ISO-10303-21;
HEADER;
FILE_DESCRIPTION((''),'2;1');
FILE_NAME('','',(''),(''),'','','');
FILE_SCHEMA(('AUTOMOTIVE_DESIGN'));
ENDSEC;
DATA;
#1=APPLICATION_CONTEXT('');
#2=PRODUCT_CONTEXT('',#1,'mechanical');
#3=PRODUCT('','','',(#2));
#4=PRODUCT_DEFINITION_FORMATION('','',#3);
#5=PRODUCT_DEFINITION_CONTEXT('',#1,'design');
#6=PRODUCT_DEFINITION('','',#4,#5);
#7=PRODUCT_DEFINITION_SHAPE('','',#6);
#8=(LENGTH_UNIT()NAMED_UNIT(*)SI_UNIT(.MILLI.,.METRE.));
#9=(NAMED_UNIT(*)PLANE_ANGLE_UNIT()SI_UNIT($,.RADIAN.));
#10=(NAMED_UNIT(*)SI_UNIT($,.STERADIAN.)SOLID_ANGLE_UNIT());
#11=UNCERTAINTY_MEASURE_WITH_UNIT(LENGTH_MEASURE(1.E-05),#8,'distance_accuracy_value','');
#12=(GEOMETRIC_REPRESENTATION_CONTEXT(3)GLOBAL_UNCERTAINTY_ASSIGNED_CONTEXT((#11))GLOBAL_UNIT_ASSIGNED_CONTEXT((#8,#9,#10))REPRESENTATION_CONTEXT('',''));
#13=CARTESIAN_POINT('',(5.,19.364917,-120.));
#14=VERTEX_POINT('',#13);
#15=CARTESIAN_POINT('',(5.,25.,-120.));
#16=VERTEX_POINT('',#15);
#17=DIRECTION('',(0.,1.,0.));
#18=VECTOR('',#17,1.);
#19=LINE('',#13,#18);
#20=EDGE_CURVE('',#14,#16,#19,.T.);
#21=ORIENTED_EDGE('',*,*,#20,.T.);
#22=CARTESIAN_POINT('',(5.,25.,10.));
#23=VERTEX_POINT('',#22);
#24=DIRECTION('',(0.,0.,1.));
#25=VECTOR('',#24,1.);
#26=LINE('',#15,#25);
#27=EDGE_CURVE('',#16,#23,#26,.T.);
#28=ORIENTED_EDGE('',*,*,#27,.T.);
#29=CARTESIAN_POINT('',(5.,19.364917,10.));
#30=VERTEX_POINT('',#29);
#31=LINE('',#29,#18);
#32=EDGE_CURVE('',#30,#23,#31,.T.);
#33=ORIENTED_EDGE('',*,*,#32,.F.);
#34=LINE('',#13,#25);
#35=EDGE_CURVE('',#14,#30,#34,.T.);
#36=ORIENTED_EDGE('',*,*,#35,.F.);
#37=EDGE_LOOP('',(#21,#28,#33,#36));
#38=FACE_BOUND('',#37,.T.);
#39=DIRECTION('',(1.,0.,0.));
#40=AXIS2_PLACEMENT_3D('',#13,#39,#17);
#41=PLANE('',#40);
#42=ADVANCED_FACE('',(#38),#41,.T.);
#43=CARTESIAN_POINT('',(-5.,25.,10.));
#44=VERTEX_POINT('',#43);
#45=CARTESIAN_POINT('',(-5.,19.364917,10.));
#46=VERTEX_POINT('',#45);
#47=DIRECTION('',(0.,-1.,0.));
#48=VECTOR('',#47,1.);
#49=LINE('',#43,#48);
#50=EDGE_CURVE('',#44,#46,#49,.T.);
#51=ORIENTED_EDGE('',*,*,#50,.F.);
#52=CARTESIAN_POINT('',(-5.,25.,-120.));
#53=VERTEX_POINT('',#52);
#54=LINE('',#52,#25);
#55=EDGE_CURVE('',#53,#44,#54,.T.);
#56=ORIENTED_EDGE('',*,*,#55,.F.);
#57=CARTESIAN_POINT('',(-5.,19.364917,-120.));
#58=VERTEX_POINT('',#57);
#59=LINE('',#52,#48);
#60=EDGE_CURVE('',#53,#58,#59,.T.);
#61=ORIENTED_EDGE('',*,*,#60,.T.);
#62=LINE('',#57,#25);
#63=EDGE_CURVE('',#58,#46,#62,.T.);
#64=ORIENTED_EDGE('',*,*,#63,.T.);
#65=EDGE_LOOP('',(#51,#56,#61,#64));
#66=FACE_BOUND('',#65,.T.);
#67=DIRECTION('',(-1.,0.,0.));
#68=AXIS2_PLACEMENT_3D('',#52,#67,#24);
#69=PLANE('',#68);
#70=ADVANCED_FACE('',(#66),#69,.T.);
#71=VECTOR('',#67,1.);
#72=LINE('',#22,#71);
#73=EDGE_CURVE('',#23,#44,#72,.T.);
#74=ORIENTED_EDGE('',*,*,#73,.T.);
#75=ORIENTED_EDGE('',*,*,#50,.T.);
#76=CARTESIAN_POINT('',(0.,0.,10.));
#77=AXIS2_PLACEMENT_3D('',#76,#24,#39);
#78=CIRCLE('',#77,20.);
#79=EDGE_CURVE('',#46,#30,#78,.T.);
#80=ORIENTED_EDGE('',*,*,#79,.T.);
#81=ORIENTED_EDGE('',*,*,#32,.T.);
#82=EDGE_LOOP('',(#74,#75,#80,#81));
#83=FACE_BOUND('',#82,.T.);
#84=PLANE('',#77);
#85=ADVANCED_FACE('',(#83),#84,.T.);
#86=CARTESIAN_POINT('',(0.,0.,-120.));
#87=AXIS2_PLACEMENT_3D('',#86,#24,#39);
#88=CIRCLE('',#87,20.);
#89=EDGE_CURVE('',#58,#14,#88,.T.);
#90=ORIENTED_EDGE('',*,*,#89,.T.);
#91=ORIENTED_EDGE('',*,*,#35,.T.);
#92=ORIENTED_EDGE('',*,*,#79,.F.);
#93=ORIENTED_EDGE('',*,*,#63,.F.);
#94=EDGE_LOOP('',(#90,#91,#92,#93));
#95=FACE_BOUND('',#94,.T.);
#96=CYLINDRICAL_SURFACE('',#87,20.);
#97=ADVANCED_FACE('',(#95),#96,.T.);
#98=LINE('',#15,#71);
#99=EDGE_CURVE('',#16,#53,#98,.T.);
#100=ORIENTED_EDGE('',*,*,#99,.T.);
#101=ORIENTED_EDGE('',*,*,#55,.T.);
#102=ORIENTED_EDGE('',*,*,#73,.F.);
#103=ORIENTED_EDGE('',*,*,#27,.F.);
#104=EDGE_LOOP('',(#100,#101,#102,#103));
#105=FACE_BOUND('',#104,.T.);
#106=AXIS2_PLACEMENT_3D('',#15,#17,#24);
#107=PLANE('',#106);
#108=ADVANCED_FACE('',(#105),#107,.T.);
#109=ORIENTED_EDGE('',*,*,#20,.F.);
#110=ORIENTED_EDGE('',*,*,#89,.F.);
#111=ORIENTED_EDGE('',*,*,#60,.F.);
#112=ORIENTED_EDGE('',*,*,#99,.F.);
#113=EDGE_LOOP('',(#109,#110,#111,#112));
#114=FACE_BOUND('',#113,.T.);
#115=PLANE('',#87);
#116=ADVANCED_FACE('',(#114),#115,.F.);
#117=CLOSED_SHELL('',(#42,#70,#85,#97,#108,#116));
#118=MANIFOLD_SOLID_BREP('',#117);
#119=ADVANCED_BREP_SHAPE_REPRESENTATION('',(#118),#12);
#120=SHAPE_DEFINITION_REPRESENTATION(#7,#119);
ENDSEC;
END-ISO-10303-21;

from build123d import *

# Parameters (mm, degrees)
EXTRUDE1_DEPTH      = 10
EXTRUDE1_DEPTH_BACK = 120


with BuildPart() as part:
    # Sketch1 → Extrude1 (new, two sides: drawn at the far end of the back side and taken through both)
    with BuildSketch(Plane.XY.offset(-EXTRUDE1_DEPTH_BACK)):
        with BuildLine():
            Line((-5, 25), (-5, 19.364916731))
            ThreePointArc((-5, 19.364916731), (0, -20), (5, 19.364916731))
            Line((5, 19.364916731), (5, 25))
            Line((5, 25), (-5, 25))
        make_face()
    extrude(amount=EXTRUDE1_DEPTH + EXTRUDE1_DEPTH_BACK)


solid = part.part
